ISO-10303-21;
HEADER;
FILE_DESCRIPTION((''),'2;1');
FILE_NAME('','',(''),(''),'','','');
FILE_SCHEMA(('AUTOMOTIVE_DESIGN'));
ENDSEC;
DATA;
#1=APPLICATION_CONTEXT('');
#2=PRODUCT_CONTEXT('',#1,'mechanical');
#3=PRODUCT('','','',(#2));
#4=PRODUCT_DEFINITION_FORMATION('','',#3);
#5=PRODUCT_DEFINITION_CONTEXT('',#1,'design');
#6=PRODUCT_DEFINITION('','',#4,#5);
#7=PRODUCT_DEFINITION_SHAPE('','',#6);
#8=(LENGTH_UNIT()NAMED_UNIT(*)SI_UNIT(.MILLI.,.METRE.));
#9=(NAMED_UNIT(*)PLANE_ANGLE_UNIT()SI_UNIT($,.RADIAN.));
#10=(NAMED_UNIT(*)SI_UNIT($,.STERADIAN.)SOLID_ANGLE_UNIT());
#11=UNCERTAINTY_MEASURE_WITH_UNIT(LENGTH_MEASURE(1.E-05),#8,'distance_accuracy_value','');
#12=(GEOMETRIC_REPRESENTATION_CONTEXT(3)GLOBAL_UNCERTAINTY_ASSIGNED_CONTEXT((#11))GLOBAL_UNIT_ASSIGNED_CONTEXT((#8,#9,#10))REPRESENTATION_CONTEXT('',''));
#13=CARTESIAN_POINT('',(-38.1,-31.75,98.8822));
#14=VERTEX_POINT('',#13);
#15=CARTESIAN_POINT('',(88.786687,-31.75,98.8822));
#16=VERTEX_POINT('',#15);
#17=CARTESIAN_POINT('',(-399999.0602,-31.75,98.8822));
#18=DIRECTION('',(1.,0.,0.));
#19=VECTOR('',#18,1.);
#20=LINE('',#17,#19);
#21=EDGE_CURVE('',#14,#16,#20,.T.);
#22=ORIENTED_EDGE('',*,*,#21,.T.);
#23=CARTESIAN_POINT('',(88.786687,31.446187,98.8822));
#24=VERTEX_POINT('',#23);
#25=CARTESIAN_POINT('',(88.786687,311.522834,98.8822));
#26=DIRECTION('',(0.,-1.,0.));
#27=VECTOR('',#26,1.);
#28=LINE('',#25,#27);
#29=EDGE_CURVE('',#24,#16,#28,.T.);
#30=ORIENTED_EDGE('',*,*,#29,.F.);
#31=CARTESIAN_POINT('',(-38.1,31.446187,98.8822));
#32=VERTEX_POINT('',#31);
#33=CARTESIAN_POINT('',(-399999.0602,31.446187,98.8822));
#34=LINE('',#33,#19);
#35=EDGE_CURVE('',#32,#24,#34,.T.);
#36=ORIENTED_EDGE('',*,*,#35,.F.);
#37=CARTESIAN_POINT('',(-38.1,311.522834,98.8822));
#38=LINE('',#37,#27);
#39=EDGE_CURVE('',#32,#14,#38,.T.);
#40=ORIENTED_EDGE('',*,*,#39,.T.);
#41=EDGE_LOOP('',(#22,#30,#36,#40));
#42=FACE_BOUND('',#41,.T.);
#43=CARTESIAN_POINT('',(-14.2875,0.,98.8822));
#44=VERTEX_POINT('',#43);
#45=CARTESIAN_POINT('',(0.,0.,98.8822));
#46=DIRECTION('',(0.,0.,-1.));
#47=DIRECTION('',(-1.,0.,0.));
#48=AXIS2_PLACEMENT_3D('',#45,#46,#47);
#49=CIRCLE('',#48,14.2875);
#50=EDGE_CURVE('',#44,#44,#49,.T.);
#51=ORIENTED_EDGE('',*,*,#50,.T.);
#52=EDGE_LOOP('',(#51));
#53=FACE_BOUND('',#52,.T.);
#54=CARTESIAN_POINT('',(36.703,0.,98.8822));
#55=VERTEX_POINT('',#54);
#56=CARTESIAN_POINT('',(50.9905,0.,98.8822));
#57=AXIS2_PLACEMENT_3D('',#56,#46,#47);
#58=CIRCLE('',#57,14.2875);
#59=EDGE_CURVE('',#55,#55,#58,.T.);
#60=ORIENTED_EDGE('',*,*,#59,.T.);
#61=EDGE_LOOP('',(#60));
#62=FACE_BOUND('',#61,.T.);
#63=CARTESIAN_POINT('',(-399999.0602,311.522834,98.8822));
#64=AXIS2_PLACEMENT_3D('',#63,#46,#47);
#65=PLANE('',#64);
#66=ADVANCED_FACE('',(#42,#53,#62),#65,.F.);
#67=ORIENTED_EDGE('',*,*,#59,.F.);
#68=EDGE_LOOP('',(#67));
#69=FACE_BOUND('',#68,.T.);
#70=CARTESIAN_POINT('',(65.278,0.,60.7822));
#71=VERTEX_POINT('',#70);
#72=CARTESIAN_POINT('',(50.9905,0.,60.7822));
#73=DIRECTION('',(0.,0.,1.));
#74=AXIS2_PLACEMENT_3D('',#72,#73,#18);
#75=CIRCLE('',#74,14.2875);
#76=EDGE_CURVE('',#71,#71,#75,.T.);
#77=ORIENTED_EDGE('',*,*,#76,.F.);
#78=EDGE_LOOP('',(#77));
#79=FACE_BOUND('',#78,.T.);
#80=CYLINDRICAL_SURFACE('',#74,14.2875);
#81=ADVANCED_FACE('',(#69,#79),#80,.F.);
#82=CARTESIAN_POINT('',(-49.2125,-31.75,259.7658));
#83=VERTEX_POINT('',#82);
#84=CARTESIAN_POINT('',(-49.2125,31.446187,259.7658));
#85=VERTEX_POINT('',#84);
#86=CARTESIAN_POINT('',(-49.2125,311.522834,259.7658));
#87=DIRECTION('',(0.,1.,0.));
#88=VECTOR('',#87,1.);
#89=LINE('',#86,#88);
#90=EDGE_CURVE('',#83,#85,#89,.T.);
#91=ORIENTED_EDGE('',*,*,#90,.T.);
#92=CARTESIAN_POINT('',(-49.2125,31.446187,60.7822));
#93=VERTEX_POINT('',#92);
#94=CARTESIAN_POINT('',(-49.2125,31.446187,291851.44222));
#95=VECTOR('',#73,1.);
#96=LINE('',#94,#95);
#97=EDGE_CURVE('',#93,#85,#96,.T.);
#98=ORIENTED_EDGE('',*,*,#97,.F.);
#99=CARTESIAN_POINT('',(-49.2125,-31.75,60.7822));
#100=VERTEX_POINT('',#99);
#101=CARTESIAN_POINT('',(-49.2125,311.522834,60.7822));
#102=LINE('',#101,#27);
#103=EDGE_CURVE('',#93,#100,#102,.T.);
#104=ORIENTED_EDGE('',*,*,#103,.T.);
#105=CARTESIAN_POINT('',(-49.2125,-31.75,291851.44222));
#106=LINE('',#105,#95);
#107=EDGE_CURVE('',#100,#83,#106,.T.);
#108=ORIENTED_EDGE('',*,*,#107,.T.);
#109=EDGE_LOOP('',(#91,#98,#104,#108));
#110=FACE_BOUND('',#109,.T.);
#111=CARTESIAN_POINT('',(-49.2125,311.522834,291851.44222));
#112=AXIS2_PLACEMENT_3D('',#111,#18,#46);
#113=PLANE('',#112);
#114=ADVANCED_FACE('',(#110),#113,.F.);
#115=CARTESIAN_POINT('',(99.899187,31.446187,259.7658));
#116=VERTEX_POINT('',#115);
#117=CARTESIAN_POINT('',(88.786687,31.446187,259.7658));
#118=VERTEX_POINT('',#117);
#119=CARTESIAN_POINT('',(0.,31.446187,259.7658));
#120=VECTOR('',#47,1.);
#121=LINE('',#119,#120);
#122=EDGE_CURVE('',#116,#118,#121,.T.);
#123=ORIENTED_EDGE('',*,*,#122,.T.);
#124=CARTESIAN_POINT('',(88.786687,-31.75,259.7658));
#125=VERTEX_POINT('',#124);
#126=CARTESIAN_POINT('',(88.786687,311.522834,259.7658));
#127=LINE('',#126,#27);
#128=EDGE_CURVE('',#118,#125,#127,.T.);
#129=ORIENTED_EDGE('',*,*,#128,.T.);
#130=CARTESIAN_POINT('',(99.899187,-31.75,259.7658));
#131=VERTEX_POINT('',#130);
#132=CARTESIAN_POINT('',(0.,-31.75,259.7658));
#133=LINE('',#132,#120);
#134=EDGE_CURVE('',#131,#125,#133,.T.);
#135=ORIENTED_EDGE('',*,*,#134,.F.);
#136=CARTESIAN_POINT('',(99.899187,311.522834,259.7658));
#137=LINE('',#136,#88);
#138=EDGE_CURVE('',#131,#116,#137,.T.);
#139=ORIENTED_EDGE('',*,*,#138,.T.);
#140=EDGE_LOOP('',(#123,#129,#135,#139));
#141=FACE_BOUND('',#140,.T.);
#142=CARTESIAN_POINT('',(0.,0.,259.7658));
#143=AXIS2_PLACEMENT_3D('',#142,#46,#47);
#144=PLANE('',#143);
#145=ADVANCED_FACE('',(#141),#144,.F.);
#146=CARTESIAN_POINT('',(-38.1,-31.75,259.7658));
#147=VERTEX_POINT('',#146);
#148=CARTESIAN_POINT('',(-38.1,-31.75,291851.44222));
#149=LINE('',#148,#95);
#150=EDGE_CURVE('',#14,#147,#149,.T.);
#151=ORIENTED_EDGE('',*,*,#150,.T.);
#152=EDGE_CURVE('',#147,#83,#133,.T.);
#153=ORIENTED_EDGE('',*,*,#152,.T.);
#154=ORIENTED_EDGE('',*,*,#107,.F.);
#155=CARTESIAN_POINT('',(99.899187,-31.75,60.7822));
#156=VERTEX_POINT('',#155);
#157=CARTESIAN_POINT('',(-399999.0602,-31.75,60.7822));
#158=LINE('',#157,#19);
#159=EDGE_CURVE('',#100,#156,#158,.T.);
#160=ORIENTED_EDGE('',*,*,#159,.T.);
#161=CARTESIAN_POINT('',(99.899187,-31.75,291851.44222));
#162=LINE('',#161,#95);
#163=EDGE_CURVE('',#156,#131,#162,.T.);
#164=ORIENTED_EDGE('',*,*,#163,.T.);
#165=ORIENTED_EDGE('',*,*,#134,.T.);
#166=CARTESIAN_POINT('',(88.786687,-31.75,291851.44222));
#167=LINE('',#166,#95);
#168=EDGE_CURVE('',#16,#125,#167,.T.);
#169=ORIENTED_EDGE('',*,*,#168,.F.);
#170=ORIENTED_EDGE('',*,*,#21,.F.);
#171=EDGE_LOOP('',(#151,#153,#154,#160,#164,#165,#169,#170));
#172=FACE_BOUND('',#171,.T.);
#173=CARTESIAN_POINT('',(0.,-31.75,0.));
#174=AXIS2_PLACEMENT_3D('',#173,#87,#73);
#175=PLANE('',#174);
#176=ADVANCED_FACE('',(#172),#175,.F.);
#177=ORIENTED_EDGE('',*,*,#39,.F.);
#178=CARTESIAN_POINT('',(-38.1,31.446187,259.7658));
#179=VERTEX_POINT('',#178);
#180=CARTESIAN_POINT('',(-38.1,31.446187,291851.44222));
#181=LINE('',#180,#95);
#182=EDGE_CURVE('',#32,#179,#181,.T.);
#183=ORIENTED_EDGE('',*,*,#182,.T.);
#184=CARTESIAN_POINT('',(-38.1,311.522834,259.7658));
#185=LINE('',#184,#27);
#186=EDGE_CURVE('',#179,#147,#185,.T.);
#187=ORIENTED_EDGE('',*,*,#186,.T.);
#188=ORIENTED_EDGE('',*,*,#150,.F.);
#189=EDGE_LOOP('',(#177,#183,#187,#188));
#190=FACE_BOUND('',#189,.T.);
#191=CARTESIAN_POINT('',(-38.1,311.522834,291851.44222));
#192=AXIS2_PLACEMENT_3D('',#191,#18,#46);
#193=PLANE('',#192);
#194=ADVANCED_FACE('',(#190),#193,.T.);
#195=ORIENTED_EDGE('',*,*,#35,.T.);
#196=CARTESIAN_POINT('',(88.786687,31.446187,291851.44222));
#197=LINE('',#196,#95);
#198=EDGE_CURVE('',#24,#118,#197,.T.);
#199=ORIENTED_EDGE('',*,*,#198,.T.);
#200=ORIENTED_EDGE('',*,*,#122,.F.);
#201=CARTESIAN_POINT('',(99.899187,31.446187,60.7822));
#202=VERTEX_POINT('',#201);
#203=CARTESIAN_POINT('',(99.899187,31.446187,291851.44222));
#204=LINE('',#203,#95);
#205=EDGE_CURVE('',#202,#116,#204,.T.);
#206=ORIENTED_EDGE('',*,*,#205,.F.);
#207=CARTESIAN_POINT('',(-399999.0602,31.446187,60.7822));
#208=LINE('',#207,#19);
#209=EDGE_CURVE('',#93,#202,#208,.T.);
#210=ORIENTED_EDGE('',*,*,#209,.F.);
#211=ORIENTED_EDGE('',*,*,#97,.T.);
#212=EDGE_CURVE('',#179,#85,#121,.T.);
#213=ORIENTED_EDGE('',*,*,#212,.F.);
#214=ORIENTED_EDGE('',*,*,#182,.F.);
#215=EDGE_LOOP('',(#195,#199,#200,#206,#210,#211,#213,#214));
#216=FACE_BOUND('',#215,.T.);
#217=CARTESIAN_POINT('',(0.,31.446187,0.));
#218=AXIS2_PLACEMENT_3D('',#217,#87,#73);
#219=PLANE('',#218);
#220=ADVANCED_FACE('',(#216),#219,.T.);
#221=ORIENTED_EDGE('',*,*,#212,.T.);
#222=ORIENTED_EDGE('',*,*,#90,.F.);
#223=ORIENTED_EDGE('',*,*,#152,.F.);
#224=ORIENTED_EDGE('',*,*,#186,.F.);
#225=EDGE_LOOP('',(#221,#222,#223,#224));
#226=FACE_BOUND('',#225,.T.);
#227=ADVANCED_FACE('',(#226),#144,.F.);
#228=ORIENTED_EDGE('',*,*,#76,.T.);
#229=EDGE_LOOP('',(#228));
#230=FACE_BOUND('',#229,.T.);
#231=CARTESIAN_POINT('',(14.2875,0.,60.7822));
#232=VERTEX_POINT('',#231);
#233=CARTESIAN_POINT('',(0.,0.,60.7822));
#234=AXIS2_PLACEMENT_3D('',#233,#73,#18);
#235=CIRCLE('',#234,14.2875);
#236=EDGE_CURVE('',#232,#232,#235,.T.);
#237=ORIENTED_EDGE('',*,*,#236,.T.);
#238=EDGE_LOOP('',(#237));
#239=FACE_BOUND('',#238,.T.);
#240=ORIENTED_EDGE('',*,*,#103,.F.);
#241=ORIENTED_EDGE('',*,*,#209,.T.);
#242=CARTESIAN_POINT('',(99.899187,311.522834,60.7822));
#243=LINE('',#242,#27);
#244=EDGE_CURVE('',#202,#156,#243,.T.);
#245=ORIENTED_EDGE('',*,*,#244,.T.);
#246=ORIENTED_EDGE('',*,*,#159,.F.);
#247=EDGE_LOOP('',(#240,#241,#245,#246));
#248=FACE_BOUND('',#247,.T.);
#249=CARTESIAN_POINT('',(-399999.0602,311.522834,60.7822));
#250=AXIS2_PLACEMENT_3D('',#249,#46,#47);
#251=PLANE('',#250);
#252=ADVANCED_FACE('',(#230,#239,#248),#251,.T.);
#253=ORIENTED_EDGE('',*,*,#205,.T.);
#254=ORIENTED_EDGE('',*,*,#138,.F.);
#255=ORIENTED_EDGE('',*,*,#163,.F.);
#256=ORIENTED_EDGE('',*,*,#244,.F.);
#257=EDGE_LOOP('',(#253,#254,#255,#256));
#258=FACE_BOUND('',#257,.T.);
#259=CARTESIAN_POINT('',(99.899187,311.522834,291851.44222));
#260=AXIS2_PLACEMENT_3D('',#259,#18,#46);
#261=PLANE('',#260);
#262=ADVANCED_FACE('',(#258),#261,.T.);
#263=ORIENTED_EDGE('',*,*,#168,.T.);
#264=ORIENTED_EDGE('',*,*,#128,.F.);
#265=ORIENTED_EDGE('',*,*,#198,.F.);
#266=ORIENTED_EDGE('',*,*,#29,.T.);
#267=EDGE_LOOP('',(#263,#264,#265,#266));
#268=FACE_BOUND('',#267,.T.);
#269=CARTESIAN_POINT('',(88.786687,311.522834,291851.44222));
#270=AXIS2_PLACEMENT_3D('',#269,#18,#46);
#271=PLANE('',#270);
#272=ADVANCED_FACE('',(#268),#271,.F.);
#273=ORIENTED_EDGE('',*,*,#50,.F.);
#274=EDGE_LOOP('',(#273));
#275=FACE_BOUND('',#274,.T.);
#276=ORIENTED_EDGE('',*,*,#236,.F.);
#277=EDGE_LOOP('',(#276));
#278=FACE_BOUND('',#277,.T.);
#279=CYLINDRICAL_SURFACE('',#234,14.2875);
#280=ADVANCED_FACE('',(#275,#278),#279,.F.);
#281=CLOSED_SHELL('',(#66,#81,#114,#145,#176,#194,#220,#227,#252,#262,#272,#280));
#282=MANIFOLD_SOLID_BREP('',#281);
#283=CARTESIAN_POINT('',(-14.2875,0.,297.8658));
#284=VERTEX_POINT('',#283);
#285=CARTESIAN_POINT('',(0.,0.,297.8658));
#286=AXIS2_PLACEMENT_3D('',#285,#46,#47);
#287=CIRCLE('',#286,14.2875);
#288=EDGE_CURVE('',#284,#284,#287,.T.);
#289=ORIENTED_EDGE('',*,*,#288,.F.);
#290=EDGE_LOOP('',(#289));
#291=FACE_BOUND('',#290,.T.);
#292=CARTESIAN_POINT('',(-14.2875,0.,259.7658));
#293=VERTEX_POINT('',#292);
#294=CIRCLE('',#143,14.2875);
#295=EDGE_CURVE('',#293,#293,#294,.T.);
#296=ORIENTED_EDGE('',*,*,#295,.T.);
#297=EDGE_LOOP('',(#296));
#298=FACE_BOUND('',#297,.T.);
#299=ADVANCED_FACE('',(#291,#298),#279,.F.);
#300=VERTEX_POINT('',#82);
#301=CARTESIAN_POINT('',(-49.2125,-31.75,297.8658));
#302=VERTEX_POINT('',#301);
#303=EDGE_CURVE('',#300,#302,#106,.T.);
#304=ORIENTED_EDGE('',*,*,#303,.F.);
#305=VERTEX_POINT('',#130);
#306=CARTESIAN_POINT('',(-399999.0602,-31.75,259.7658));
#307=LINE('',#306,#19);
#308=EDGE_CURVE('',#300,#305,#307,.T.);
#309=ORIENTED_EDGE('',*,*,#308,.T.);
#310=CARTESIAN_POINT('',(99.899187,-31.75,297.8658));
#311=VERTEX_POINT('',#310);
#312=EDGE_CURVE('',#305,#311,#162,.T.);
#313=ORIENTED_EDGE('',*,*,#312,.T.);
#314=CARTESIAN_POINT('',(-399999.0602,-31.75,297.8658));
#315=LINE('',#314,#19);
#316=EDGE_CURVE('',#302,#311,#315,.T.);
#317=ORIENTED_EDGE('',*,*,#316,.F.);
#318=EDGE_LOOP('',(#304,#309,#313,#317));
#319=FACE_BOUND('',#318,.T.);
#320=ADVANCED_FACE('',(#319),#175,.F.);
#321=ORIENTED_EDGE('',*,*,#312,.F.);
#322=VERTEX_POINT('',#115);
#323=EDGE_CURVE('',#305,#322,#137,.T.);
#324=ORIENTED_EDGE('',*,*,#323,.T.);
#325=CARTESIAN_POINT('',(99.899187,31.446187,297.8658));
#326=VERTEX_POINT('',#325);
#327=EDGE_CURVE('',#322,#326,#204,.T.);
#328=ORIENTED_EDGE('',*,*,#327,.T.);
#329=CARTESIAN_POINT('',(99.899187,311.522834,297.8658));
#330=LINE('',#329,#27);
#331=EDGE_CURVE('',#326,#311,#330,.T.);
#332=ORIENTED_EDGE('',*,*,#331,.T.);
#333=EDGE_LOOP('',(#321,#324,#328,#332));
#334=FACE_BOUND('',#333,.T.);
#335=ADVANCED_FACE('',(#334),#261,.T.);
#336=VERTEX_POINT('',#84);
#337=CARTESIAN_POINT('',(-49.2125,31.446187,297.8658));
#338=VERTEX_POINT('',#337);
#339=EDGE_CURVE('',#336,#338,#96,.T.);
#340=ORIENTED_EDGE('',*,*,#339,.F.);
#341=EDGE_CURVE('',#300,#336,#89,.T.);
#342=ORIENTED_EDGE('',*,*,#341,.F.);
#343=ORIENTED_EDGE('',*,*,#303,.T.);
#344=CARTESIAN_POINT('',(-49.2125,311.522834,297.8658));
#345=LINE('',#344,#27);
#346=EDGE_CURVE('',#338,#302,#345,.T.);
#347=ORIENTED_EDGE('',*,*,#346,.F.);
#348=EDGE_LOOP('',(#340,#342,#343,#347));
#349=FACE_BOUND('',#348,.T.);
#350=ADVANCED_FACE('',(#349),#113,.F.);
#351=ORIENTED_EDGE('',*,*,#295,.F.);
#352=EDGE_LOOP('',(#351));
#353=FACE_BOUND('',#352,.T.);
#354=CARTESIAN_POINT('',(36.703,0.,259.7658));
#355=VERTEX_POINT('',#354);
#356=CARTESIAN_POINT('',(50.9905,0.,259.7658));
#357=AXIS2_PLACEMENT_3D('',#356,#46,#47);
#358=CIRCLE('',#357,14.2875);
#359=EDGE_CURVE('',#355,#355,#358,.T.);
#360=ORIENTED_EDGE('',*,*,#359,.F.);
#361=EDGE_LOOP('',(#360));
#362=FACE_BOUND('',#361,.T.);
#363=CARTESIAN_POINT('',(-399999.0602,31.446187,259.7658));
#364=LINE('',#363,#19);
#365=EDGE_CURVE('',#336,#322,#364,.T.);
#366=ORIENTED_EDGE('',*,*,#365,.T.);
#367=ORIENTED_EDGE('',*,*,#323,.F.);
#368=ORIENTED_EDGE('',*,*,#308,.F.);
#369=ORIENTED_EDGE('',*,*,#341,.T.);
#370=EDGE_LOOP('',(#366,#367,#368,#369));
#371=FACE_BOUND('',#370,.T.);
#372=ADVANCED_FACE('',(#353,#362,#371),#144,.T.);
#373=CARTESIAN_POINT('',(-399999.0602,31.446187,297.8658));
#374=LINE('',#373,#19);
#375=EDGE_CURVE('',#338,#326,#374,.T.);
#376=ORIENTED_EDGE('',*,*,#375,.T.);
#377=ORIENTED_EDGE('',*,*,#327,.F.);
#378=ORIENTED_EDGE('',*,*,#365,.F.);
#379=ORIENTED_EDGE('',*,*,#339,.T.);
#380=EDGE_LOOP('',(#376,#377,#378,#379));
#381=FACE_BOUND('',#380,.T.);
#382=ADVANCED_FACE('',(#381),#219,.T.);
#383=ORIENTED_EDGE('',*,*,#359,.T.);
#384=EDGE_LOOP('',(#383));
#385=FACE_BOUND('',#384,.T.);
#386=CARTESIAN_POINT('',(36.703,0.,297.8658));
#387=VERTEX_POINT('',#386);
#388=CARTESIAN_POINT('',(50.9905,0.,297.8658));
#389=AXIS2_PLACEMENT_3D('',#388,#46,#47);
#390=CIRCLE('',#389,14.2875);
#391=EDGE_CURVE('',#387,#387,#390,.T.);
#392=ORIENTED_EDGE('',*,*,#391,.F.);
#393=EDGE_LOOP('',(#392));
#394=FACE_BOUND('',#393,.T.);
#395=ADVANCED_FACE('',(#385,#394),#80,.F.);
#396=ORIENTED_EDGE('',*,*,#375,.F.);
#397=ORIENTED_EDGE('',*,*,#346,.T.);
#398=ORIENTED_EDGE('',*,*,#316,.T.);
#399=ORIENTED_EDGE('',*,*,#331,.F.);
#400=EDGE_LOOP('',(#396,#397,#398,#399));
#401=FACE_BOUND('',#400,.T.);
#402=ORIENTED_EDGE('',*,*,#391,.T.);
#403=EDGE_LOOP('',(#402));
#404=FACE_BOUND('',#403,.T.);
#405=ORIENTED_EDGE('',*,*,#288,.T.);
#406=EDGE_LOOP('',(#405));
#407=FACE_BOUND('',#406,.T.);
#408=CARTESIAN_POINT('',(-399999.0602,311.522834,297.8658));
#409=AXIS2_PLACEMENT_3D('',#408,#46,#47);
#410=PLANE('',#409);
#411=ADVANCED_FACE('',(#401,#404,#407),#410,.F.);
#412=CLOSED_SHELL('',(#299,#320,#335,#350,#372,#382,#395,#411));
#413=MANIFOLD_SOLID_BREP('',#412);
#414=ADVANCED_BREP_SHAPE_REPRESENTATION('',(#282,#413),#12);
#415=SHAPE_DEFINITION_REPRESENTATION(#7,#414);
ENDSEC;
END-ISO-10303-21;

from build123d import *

# Parameters (mm, degrees)
BOSS_EXTRUDE1_START     = -31.75
SKETCH1_W               = 149.111686737
SKETCH1_H               = 237.0836
SKETCH1_W_2             = 126.886686737
SKETCH1_H_2             = 160.8836
BOSS_EXTRUDE1_DEPTH     = 63.196186737
CUT_EXTRUDE1_DEPTH      = 260.222960788
CUT_EXTRUDE1_DEPTH_BACK = 260.222960788
SKETCH2_R               = 14.2875


with BuildPart() as part:
    # Sketch1 → Boss-Extrude1 (new body)
    with BuildSketch(Plane(origin=(0, 0, 0), x_dir=(1, 0, 0), z_dir=(0, 1, 0)).offset(BOSS_EXTRUDE1_START)):
        with Locations((25.343343369, -179.324)):
            Rectangle(SKETCH1_W, SKETCH1_H)
        with Locations((25.343343369, -179.324)):
            Rectangle(SKETCH1_W_2, SKETCH1_H_2, mode=Mode.SUBTRACT)
    extrude(amount=BOSS_EXTRUDE1_DEPTH)

    # Sketch2 → Cut-Extrude1 (cut, two sides: drawn at the far end of the back side and taken through both)
    with BuildSketch(Plane.XY.offset(297.8658).offset(-CUT_EXTRUDE1_DEPTH_BACK)):
        with Locations(Location((0, 0, 0), (0, 0, 180))):
            Circle(SKETCH2_R)
        with Locations(Location((50.9905, 0, 0), (0, 0, 180))):
            Circle(SKETCH2_R)
    extrude(amount=CUT_EXTRUDE1_DEPTH + CUT_EXTRUDE1_DEPTH_BACK, mode=Mode.SUBTRACT)


with BuildPart() as body_2:
    # Split1: the piece on the far side of the plane
    add(part.part)
    split(bisect_by=Plane(origin=(0, 0, 259.7658), x_dir=(-1, 0, 0), z_dir=(0, 0, -1)), keep=Keep.BOTTOM)


with BuildPart() as part_1:
    add(part.part)

    # Split1
    split(bisect_by=Plane(origin=(0, 0, 259.7658), x_dir=(-1, 0, 0), z_dir=(0, 0, -1)), keep=Keep.TOP)


solid = Compound([body_2.part, part_1.part])
